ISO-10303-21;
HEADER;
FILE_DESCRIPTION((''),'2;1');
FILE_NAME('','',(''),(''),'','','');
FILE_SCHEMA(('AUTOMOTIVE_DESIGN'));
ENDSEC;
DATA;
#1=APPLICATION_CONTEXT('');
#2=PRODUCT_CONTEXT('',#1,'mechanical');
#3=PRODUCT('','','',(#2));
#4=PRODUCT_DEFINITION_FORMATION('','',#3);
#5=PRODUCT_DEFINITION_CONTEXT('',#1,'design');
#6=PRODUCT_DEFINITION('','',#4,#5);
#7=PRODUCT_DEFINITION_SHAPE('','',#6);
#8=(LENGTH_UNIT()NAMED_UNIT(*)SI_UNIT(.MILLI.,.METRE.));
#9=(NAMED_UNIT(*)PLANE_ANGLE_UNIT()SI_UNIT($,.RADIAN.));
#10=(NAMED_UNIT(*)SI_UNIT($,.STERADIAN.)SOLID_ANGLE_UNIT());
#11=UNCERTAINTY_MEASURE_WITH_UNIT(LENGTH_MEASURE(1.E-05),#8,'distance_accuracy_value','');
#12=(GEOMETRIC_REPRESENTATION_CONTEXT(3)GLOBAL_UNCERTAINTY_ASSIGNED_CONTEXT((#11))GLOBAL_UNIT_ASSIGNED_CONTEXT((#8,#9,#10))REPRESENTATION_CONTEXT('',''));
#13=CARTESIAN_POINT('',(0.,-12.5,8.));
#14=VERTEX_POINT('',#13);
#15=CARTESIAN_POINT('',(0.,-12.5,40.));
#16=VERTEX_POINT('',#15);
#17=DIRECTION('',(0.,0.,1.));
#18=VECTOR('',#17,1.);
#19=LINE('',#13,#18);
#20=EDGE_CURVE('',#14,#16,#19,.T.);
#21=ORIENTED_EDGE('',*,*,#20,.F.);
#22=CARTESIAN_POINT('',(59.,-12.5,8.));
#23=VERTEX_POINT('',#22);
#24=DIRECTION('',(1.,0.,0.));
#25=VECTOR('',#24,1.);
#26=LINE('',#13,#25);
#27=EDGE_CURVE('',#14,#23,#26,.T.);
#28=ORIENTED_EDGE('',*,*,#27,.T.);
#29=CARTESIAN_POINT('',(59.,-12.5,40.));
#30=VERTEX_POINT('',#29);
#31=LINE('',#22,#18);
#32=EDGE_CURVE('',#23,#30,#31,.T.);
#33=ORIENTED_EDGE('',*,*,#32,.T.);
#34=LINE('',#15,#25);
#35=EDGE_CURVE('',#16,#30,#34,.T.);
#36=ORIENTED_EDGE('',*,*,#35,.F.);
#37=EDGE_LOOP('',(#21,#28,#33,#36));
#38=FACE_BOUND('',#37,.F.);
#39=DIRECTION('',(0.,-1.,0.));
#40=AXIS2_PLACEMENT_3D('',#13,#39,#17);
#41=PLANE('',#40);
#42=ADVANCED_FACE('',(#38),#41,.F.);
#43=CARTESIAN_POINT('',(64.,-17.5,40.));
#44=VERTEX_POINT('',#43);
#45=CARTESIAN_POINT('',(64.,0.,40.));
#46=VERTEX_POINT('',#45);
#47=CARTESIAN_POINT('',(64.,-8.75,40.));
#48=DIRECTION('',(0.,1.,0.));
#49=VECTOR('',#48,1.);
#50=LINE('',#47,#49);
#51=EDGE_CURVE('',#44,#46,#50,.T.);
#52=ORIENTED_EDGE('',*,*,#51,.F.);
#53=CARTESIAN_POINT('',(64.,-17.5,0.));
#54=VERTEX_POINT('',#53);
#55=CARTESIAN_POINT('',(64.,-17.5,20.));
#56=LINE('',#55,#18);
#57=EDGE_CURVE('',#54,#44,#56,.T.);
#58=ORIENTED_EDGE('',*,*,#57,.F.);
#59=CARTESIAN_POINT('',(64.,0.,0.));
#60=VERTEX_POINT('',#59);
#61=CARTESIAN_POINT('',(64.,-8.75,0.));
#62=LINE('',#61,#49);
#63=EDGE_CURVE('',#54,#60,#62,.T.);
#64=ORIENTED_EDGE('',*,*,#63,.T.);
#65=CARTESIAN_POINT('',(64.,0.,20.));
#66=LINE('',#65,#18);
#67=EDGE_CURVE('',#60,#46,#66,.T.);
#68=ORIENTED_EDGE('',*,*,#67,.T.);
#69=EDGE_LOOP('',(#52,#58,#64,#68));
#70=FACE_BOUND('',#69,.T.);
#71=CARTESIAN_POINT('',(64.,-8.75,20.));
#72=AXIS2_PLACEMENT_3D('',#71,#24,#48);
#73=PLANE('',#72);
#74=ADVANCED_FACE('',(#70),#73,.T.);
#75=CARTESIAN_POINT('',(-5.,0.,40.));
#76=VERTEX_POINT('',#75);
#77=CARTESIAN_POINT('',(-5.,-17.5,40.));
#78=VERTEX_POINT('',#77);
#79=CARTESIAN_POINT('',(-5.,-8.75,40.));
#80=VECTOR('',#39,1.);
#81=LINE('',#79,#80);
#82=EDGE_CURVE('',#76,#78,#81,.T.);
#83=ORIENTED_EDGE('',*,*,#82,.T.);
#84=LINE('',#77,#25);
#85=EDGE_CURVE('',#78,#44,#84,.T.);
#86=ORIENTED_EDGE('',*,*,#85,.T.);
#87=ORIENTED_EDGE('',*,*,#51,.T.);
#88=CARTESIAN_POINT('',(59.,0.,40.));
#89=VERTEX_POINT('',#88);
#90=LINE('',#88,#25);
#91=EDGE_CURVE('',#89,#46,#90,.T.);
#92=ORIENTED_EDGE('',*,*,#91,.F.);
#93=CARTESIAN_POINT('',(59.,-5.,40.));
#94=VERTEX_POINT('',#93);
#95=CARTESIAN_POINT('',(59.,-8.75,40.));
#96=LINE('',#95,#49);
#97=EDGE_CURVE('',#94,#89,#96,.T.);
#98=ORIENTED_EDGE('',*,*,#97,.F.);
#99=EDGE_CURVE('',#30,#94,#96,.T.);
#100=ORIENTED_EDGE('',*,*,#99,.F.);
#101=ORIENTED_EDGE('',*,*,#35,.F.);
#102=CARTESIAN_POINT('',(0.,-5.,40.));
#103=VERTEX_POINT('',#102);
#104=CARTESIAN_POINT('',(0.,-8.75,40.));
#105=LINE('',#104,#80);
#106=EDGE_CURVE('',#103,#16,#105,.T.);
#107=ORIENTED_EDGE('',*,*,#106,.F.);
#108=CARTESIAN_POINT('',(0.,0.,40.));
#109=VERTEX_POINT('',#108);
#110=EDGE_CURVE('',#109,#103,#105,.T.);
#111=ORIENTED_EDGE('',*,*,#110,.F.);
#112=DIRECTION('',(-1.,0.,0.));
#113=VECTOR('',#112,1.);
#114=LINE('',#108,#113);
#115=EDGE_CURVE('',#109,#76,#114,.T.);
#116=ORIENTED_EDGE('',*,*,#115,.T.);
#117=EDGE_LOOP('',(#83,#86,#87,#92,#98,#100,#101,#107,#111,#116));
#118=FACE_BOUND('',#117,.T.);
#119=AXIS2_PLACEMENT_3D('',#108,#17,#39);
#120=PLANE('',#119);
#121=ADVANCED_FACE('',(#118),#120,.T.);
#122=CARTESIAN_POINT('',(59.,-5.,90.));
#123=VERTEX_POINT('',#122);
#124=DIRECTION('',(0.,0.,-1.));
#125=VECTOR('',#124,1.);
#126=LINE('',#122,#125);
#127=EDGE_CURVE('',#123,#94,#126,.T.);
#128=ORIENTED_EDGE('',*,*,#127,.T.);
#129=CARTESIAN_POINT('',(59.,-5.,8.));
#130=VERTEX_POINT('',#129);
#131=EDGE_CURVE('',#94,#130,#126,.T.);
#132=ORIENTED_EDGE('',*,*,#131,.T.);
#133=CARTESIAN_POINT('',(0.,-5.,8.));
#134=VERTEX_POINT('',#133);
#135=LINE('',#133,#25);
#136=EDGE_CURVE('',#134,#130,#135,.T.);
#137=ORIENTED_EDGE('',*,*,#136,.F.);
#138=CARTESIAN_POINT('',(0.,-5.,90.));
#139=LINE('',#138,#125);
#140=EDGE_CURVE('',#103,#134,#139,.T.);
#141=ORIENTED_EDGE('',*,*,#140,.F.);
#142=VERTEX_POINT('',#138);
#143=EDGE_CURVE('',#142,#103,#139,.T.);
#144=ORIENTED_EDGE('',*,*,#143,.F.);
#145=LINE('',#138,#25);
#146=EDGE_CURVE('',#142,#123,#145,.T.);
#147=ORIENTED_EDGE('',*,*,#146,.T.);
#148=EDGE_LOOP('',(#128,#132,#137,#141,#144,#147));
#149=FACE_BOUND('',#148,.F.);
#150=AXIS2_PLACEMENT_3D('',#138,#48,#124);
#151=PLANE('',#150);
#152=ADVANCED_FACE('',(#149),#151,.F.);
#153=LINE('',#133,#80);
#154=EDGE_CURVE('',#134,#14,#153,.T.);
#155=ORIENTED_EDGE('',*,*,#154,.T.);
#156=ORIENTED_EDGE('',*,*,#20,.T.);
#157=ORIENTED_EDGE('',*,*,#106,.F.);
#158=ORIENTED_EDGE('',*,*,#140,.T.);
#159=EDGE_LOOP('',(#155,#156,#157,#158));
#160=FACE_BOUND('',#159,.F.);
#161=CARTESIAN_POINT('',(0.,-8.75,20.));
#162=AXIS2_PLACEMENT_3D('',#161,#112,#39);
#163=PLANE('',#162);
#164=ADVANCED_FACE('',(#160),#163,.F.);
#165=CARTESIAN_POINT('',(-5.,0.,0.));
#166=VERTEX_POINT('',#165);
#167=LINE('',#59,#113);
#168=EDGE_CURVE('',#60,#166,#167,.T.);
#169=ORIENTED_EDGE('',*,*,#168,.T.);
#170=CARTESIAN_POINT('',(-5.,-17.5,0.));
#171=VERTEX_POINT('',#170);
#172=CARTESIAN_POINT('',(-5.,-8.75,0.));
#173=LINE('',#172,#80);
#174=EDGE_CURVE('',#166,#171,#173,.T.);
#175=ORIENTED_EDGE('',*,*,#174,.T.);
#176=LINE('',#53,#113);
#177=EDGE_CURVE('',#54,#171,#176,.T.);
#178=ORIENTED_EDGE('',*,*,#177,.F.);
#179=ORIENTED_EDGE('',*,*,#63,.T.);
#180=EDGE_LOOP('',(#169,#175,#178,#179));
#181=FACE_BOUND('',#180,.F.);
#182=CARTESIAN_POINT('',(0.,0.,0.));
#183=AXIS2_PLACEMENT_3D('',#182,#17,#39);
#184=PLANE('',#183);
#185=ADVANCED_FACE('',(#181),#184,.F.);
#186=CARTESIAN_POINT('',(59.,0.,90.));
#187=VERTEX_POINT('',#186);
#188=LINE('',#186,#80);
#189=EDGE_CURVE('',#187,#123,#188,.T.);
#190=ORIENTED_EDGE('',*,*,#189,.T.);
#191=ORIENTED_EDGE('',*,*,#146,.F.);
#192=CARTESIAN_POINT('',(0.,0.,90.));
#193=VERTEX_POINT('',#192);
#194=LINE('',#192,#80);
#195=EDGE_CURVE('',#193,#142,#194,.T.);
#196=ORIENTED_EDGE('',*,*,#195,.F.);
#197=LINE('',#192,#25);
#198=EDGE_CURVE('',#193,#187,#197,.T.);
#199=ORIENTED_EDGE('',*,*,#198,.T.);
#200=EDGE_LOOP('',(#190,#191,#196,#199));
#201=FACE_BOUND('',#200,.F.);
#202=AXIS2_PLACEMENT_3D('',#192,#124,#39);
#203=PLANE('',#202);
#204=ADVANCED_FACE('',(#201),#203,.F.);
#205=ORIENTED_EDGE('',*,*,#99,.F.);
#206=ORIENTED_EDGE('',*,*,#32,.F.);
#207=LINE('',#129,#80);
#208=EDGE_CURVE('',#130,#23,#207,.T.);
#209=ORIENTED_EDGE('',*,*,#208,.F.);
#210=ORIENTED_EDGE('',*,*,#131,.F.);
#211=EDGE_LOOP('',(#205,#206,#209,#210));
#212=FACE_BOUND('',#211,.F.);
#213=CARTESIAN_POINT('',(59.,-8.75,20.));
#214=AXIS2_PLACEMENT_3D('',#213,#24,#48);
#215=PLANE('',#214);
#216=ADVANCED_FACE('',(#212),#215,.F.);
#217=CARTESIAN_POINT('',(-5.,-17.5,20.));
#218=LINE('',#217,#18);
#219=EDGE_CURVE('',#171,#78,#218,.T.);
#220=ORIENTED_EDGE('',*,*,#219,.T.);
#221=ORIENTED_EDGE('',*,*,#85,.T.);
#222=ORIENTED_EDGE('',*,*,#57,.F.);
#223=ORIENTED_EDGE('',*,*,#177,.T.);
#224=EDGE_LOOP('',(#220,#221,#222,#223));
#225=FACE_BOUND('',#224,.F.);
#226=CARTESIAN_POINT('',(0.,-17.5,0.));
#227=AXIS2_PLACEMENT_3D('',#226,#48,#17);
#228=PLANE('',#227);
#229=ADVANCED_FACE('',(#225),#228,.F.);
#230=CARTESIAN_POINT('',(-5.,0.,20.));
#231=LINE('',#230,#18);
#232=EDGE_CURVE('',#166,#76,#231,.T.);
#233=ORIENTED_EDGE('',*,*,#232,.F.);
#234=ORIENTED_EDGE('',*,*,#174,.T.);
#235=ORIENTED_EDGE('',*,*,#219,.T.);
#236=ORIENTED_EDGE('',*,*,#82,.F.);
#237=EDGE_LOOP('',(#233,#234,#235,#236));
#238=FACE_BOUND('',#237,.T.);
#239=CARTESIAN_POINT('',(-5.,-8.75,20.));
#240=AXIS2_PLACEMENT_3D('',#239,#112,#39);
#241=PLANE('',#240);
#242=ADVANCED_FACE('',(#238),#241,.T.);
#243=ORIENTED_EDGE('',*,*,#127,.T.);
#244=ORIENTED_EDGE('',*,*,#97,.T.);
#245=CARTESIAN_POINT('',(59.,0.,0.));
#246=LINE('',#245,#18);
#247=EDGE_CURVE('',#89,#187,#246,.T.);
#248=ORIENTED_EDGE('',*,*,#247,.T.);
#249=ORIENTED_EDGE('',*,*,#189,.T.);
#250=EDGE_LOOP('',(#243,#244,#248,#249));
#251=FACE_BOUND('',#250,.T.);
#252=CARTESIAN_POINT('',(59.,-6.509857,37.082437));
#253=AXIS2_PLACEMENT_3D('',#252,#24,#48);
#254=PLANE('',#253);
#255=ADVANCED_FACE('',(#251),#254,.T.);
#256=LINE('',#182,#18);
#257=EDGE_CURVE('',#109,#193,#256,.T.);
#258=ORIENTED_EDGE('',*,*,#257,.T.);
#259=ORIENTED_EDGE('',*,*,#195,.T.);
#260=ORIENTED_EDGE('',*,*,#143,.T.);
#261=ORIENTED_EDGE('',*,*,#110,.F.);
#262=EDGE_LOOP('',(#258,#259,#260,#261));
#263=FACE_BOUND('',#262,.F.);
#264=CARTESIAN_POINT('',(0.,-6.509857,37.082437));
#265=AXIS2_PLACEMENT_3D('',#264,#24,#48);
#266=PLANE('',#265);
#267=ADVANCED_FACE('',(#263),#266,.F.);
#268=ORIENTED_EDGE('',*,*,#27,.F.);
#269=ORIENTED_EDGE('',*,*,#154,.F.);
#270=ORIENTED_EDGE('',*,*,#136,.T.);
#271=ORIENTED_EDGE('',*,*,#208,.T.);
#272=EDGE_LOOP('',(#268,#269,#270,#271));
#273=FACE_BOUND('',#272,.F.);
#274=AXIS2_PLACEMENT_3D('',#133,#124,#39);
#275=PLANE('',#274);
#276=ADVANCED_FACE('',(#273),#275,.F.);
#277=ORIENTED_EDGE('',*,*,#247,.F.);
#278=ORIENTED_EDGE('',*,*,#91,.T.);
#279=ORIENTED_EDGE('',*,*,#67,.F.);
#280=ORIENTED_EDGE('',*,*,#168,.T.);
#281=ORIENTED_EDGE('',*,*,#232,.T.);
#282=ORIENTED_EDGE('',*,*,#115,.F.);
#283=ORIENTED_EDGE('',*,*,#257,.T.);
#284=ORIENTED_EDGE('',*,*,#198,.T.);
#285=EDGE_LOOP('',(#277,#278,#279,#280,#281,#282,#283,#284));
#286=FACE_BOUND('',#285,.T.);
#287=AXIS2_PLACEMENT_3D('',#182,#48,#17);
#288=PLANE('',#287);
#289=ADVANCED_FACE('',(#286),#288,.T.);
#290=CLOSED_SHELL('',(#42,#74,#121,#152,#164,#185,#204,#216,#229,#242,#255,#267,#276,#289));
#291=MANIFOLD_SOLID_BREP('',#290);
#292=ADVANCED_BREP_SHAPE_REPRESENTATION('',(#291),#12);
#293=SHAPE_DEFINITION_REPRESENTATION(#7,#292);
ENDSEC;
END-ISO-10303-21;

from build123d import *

# Parameters (mm, degrees)
F1_DEPTH = 59
F2_W     = 17.5
F2_H     = 40
F3_DEPTH = 5
F4_W     = 17.5
F4_H     = 40
F5_DEPTH = 5


with BuildPart() as f1:
    # F0 (on Right) → F1 (new body)
    with BuildSketch(Plane.YZ):
        Polygon((-17.5, 0), (0, 0), (0, 90), (-5, 90), (-5, 8), (-12.5, 8), (-12.5, 40), (-17.5, 40), align=None)
    extrude(amount=F1_DEPTH)

    # F2 (on face) → F3 (join)
    with BuildSketch(Plane.YZ.offset(59)):
        with Locations((-8.75, 20)):
            Rectangle(F2_W, F2_H)
    extrude(amount=F3_DEPTH)

    # F4 (on face) → F5 (join)
    with BuildSketch(Plane(origin=(0, 0, 0), x_dir=(0, -1, 0), z_dir=(-1, 0, 0))):
        with Locations((8.75, 20)):
            Rectangle(F4_W, F4_H)
    extrude(amount=F5_DEPTH)


solid = f1.part
